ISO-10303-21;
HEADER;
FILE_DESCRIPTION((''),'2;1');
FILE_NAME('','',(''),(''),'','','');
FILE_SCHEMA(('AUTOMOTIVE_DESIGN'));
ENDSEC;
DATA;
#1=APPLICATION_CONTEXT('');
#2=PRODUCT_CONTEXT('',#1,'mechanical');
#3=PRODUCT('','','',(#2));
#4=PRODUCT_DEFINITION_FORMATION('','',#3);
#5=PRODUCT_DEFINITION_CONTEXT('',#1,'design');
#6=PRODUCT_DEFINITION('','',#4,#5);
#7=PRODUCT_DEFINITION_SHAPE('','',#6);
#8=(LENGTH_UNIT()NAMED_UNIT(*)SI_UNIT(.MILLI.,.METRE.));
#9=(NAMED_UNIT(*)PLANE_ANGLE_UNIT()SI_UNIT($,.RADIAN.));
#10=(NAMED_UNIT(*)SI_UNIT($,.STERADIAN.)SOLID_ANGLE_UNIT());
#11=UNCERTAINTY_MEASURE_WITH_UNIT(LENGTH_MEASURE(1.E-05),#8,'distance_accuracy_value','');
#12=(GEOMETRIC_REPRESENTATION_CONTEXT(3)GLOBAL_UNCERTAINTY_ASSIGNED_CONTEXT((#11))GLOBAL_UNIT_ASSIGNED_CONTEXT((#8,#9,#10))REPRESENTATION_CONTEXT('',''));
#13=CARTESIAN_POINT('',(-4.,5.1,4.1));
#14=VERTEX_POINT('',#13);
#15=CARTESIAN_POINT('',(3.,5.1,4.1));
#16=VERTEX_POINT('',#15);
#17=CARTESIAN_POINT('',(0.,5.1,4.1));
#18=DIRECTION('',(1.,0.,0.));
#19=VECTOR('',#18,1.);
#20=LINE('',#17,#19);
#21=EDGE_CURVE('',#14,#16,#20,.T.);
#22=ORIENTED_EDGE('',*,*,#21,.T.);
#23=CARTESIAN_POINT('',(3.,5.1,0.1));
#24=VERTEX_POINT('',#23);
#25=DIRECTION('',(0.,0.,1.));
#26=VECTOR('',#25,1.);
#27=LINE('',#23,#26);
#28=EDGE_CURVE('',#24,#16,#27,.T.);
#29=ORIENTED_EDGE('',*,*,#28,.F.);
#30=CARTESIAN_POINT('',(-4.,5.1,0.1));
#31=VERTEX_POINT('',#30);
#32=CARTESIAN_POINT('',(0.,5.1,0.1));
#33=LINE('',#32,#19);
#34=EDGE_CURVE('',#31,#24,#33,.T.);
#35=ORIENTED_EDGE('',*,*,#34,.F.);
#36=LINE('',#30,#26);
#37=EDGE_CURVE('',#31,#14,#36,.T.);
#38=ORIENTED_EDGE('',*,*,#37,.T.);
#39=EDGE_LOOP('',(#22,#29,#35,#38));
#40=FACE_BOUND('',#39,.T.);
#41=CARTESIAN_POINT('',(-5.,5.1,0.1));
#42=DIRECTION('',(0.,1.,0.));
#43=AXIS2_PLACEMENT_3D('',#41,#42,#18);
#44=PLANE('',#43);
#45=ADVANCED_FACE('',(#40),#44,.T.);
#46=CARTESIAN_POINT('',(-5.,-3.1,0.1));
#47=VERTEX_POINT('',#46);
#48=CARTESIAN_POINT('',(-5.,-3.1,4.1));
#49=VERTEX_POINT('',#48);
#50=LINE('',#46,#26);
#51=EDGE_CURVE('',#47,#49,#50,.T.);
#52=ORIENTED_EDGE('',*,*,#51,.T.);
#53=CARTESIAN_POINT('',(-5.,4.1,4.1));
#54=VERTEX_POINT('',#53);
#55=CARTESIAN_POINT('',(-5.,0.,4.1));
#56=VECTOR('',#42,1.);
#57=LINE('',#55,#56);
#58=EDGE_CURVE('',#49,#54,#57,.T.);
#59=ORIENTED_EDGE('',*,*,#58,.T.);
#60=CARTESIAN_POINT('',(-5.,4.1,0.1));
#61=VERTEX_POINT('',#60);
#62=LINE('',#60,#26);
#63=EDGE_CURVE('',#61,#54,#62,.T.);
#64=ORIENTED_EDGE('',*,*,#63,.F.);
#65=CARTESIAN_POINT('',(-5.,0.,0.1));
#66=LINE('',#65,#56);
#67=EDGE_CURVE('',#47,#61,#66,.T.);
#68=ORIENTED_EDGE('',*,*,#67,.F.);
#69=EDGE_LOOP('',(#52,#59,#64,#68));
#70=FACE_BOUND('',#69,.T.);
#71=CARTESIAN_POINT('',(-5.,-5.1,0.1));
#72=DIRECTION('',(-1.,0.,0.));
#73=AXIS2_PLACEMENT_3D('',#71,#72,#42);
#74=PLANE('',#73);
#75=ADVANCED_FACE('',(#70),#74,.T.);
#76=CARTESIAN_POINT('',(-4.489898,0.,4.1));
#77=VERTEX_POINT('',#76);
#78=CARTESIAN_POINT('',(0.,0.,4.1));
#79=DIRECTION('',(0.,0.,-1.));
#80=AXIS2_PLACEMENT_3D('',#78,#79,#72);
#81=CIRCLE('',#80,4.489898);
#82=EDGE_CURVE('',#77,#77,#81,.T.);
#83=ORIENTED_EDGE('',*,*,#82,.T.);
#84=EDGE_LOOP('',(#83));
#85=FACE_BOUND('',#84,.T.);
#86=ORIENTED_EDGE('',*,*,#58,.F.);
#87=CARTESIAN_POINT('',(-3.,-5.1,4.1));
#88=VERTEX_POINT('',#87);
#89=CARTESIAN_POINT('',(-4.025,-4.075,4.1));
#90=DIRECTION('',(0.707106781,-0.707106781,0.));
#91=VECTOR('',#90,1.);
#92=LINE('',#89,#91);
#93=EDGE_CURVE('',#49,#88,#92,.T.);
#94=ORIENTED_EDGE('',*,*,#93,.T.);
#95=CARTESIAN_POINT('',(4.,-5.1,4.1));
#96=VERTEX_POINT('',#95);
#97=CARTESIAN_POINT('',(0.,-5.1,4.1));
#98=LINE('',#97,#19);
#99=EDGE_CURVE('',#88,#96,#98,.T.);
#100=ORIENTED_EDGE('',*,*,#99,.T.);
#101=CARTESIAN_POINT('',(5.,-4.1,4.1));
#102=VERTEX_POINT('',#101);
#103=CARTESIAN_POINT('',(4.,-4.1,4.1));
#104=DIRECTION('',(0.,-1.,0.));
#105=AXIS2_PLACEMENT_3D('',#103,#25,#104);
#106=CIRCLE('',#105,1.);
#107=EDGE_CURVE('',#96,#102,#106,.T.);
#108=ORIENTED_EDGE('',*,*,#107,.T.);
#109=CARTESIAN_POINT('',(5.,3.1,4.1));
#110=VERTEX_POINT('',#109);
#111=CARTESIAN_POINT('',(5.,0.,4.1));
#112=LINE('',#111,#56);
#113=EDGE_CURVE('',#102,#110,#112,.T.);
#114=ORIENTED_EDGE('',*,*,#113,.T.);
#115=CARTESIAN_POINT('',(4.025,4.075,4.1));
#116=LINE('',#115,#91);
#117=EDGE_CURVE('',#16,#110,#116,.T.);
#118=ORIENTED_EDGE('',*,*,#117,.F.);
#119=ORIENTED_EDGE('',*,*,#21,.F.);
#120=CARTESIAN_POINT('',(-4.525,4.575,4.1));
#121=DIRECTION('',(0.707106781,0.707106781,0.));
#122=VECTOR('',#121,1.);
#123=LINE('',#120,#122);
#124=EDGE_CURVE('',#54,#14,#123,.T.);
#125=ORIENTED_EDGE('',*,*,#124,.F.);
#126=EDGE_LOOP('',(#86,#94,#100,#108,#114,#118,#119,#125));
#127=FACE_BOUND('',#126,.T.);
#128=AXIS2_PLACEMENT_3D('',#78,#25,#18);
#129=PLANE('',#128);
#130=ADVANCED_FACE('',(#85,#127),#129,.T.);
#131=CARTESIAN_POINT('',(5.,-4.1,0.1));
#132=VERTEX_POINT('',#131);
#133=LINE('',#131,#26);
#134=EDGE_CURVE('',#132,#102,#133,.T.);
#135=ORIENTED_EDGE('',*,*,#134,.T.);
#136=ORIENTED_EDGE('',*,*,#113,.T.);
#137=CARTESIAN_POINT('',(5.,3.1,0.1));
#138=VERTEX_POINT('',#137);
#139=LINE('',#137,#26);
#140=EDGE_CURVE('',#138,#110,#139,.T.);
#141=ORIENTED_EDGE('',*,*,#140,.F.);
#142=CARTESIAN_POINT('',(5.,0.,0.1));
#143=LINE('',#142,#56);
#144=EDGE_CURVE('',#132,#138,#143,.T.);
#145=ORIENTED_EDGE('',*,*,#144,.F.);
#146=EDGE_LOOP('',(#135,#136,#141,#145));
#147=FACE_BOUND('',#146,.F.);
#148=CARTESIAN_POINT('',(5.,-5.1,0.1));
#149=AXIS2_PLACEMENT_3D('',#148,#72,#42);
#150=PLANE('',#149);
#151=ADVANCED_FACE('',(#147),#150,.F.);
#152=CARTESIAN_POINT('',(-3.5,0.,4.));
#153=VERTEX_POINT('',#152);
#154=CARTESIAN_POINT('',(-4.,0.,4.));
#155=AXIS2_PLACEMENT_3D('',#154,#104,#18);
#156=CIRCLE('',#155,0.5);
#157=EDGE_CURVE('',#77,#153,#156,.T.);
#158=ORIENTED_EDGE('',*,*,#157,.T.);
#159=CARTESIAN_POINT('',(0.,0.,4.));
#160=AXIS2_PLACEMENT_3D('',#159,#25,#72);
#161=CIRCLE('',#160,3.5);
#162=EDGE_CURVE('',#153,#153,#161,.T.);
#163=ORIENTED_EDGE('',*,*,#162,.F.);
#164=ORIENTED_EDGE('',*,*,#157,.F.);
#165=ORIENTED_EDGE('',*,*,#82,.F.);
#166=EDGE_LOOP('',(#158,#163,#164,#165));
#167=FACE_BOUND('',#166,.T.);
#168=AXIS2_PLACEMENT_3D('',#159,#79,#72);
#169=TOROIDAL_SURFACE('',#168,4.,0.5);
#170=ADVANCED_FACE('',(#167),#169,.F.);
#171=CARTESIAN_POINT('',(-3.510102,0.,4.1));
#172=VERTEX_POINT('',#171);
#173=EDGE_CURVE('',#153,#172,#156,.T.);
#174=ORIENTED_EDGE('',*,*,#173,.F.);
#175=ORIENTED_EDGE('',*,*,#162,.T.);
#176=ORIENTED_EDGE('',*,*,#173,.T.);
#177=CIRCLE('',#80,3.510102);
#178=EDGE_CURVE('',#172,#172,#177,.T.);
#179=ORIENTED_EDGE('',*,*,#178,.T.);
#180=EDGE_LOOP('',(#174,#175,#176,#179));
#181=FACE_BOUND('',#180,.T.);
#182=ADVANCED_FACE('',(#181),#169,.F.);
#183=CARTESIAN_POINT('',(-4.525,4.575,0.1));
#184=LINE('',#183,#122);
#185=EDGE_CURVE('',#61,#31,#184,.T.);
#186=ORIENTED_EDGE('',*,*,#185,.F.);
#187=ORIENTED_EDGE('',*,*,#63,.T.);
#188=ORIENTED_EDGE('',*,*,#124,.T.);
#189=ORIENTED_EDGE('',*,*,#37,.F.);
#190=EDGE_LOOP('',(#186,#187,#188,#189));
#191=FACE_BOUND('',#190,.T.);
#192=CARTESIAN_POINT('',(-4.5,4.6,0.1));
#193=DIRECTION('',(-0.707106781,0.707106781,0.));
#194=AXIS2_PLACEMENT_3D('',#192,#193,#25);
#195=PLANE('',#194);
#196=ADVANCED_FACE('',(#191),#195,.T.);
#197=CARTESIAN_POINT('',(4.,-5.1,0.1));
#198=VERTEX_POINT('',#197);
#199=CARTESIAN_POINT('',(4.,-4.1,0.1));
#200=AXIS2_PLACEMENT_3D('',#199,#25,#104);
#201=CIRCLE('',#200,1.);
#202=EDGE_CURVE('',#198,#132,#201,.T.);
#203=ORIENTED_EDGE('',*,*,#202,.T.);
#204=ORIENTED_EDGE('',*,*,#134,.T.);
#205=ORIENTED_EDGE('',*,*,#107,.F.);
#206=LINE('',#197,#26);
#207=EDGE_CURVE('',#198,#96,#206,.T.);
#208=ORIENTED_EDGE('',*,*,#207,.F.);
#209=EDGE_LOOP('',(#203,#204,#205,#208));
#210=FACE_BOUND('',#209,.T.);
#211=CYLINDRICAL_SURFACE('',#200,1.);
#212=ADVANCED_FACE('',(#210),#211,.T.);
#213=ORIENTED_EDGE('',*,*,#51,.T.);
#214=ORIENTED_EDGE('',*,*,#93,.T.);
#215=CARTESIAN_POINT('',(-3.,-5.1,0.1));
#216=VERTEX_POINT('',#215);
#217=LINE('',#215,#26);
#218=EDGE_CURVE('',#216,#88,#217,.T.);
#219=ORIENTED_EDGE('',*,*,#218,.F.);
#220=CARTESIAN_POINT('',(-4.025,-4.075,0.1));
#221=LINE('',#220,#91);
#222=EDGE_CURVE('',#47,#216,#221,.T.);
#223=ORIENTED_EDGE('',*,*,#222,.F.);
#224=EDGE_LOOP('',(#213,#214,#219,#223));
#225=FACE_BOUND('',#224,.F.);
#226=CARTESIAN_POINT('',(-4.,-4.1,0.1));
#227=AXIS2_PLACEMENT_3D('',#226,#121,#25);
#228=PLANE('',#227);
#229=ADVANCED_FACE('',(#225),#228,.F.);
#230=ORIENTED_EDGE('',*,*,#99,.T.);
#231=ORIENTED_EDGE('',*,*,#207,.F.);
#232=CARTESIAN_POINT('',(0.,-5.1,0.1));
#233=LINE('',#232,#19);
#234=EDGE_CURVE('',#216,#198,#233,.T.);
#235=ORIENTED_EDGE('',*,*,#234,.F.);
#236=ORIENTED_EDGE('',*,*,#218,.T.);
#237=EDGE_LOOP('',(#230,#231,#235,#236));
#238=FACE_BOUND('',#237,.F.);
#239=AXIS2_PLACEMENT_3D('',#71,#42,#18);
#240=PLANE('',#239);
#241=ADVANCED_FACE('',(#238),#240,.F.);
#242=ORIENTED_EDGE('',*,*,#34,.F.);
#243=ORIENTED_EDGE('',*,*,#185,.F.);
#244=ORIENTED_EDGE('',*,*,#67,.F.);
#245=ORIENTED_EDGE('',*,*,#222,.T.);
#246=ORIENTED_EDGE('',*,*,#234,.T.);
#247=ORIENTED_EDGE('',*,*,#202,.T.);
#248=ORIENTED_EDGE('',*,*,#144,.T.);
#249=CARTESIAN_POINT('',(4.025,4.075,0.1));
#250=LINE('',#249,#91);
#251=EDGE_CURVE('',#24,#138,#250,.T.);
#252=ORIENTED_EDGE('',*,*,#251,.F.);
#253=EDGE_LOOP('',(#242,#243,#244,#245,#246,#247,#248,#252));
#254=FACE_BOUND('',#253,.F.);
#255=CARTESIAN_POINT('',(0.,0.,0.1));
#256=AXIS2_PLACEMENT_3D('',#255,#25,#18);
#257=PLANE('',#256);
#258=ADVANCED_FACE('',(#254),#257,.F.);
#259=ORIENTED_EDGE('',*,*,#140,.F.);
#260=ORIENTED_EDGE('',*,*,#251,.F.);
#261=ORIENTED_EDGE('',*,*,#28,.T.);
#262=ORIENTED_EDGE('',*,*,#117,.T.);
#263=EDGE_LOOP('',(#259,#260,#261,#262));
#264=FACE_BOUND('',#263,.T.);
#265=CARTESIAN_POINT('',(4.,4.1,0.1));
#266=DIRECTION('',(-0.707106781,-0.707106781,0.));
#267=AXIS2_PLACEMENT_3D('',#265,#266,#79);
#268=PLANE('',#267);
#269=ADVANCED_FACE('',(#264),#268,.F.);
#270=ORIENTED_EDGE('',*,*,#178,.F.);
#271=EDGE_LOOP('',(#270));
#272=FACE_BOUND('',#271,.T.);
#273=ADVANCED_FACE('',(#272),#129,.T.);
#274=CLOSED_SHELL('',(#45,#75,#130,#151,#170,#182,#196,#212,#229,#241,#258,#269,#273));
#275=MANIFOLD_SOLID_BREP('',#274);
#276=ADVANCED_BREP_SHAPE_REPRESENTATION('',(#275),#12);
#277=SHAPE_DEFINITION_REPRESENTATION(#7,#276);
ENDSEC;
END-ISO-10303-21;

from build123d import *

# Parameters (mm, degrees)
SKETCH_W        = 10
SKETCH_H        = 10.2
PAD_DEPTH       = 4
FILLET_R        = 1
CHAMFER_SIZE    = 1
CHAMFER001_SIZE = 2
SKETCH002_R     = 0.5


with BuildPart() as part:
    # Sketch → Pad (new body)
    with BuildSketch(Plane.XY.offset(0.1)):
        Rectangle(SKETCH_W, SKETCH_H)
    extrude(amount=PAD_DEPTH)

    # Fillet
    fillet_edges = [part.edges().sort_by_distance(p)[0] for p in [
        (5, -5.1, 2.1),
    ]]
    fillet(fillet_edges, radius=FILLET_R)

    # Chamfer
    chamfer_edges = [part.edges().sort_by_distance(p)[0] for p in [
        (-5, 5.1, 2.1),
    ]]
    chamfer(chamfer_edges, length=CHAMFER_SIZE)

    # Chamfer001
    chamfer001_edges = [part.edges().sort_by_distance(p)[0] for p in [
        (5, 5.1, 2.1),
        (-5, -5.1, 2.1),
    ]]
    chamfer(chamfer001_edges, length=CHAMFER001_SIZE)

    # Sketch002 → Groove (revolve, cut)
    with BuildSketch(Plane.XZ):
        with Locations((-4, 4)):
            Circle(SKETCH002_R)
    revolve(axis=Axis((0, 0, 0), (0, 0, 1)), mode=Mode.SUBTRACT)


solid = part.part
